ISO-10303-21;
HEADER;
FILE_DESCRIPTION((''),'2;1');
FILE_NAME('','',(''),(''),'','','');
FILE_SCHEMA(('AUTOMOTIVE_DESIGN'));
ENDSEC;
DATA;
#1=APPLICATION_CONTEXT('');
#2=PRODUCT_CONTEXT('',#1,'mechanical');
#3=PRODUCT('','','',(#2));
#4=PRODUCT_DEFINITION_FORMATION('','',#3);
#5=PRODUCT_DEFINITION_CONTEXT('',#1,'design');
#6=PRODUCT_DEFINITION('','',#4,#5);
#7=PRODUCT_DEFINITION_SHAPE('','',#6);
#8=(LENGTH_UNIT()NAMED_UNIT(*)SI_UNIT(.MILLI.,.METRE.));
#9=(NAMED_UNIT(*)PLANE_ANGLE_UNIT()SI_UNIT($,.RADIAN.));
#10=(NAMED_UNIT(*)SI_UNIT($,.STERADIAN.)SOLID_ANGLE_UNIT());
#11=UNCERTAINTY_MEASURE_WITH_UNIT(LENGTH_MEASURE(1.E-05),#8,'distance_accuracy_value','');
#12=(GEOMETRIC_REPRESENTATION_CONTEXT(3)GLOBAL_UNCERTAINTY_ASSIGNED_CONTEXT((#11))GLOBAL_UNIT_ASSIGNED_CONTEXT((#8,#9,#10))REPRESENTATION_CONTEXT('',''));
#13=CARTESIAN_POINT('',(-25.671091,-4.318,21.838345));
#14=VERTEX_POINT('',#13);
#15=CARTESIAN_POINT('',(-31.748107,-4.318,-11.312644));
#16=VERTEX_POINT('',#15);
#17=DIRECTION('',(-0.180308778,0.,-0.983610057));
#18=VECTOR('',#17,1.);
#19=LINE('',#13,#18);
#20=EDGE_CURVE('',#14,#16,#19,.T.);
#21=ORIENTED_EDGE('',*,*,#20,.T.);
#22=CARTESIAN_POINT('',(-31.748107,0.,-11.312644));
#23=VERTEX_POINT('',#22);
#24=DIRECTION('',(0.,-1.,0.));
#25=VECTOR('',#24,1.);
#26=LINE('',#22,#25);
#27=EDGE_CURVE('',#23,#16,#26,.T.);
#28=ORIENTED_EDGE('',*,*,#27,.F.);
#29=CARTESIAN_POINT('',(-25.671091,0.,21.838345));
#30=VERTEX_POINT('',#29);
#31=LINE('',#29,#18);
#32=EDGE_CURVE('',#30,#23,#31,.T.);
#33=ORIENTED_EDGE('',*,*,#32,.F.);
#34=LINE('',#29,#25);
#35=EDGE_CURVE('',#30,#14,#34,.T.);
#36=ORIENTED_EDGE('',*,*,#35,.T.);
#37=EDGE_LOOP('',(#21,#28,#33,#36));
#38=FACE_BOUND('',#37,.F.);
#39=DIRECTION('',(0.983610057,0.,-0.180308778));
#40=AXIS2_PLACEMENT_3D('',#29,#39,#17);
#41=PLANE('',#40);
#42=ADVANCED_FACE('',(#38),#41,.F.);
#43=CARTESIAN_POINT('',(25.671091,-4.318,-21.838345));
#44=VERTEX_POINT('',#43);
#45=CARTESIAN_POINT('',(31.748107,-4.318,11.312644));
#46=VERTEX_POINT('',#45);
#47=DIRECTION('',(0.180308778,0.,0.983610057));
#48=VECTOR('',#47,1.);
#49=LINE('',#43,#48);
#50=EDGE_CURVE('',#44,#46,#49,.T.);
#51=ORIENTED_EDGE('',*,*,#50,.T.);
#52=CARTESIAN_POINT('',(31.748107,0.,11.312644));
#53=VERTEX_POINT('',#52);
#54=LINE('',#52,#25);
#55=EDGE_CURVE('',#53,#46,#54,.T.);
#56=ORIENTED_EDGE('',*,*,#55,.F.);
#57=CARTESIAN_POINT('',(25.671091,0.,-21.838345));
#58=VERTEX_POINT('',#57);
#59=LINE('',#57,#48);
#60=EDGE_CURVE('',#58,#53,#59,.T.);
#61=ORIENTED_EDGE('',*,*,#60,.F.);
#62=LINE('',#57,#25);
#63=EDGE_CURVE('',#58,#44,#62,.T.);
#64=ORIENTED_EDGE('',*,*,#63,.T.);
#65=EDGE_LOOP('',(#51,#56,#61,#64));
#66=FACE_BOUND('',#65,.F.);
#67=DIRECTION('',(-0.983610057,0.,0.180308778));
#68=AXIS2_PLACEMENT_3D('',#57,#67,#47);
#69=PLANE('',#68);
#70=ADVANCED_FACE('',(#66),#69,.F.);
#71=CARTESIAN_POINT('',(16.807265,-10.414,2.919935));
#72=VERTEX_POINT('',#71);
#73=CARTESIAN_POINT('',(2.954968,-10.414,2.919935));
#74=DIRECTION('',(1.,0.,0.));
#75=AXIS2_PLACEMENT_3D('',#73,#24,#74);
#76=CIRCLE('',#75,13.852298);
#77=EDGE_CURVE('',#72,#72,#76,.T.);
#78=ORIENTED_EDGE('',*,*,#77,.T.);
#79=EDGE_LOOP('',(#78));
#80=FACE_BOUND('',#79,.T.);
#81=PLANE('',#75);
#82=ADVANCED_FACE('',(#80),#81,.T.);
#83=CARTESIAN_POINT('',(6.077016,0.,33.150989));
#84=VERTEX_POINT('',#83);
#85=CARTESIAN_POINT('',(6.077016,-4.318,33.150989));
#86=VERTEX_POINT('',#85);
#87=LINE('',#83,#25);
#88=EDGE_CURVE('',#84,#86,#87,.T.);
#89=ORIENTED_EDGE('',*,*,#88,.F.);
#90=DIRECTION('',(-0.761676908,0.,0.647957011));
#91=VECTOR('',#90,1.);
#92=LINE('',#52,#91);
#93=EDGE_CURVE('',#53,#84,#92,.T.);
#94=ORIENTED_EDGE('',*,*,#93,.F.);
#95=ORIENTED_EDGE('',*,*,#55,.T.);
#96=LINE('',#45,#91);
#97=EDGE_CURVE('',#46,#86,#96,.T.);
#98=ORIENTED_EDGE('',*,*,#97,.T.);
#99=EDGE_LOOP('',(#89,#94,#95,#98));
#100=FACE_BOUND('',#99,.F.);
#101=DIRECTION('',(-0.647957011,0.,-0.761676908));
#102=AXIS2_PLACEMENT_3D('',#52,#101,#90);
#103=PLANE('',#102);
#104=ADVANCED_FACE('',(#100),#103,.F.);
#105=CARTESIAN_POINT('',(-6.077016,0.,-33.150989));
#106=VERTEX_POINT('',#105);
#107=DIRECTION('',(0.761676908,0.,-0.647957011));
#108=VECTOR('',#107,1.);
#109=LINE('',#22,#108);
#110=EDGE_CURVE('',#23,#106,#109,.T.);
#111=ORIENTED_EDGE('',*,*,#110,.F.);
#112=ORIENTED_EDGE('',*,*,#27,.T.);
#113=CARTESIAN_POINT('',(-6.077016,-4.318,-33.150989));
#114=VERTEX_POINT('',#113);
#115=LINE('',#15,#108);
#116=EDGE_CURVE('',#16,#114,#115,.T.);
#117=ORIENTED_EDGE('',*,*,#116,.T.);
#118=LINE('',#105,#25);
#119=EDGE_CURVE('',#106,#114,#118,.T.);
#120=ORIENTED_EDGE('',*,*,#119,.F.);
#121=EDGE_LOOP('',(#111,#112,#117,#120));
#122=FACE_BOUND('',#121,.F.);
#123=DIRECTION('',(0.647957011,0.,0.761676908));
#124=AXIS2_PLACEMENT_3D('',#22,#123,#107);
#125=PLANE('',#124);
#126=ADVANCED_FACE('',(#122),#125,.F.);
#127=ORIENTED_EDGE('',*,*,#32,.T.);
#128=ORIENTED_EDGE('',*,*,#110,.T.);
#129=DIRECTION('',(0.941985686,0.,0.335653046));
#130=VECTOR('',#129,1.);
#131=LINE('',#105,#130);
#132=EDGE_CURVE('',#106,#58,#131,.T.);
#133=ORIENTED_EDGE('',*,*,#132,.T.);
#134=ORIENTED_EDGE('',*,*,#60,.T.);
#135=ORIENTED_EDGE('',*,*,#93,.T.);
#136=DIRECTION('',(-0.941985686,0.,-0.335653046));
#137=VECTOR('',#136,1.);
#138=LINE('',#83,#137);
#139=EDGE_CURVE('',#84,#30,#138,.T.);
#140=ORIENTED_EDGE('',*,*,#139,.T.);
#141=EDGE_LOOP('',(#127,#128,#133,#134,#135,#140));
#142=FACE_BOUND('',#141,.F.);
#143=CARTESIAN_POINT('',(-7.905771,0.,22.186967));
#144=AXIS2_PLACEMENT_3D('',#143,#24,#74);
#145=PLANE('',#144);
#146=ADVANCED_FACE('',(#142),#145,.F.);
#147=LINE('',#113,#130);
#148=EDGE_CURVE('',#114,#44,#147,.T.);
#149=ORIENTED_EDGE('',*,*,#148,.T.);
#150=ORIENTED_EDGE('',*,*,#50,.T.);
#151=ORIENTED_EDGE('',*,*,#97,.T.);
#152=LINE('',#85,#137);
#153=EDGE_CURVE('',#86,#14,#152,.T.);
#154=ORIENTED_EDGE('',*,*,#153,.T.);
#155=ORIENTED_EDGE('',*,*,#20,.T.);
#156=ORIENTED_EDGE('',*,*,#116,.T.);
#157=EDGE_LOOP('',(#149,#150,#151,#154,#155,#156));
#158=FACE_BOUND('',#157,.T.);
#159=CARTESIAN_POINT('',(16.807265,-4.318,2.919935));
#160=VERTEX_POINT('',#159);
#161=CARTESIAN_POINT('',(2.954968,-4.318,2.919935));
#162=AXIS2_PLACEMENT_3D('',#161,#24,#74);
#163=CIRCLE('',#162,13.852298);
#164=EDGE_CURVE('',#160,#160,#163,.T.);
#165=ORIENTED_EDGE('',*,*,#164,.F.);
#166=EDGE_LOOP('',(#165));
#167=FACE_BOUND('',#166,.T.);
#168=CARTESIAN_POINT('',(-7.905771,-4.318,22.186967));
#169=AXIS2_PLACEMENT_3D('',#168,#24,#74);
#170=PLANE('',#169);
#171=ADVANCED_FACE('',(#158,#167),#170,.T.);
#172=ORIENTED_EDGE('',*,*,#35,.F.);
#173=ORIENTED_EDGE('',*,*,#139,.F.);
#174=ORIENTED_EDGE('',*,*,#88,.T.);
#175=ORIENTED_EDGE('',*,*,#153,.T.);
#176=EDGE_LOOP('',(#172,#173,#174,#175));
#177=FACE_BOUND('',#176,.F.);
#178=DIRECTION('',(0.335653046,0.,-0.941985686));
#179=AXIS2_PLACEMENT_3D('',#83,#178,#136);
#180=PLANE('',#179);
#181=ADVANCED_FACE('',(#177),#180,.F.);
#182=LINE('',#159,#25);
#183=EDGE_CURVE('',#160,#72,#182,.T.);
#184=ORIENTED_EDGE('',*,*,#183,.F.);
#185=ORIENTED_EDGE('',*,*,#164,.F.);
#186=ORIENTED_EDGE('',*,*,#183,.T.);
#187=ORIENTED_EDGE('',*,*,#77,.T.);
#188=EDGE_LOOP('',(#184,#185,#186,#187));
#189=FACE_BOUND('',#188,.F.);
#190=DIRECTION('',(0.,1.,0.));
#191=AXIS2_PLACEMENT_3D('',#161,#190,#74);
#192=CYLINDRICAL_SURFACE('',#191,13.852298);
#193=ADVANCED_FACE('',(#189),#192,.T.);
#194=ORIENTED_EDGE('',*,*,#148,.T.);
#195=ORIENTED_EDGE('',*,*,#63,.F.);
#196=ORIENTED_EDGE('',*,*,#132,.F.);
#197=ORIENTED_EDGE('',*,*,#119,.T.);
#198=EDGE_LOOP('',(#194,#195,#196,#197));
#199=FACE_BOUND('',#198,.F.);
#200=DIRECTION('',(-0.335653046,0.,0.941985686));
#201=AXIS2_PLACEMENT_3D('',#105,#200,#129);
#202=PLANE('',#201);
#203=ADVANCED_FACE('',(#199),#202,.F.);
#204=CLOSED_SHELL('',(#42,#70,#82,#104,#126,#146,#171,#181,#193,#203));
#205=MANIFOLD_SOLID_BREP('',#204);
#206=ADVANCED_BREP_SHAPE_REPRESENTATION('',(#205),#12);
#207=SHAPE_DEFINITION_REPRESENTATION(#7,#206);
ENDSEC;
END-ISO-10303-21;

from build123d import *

# Parameters (mm, degrees)
F1_DEPTH = 4.318
F2_R     = 13.8522977146
F3_DEPTH = 6.096


with BuildPart() as f1:
    # F0 (on Front) → F1 (new body)
    with BuildSketch(Plane.XZ):
        with BuildLine():
            Line((6.0770163177, 33.1509892084), (-25.6710906561, 21.8383451146))
            Line((-25.6710906561, 21.8383451146), (-12.8355453281, 10.9191725573))
            ThreePointArc((-12.8355453281, 10.9191725573), (-5.6563220469, 15.8740534869), (3.0385081589, 16.5754946042))
            Line((3.0385081589, 16.5754946042), (6.0770163177, 33.1509892084))
        make_face()
        Polygon((-15.8740534869, -5.6563220469), (-25.6710906561, 21.8383451146), (-31.7481069739, -11.3126440938), align=None)
        with BuildLine():
            Line((31.7481069739, 11.3126440938), (6.0770163177, 33.1509892084))
            Line((6.0770163177, 33.1509892084), (3.0385081589, 16.5754946042))
            ThreePointArc((3.0385081589, 16.5754946042), (10.9191725573, 12.8355453281), (15.8740534869, 5.6563220469))
            Line((15.8740534869, 5.6563220469), (31.7481069739, 11.3126440938))
        make_face()
        with BuildLine():
            Line((25.6710906561, -21.8383451146), (31.7481069739, 11.3126440938))
            Line((31.7481069739, 11.3126440938), (15.8740534869, 5.6563220469))
            ThreePointArc((15.8740534869, 5.6563220469), (16.6054844473, 2.8700939835), (16.8516928884, 0))
            ThreePointArc((16.8516928884, 0), (10.7883165247, -12.9457243818), (-3.0385081589, -16.5754946042))
            Line((-3.0385081589, -16.5754946042), (-6.0770163177, -33.1509892084))
            Line((-6.0770163177, -33.1509892084), (25.6710906561, -21.8383451146))
        make_face()
        with BuildLine():
            Line((-15.8740534869, -5.6563220469), (-31.7481069739, -11.3126440938))
            Line((-31.7481069739, -11.3126440938), (-6.0770163177, -33.1509892084))
            Line((-6.0770163177, -33.1509892084), (-3.0385081589, -16.5754946042))
            ThreePointArc((-3.0385081589, -16.5754946042), (-10.9191725573, -12.8355453281), (-15.8740534869, -5.6563220469))
        make_face()
        with BuildLine():
            ThreePointArc((15.8740534869, 5.6563220469), (10.9191725573, 12.8355453281), (3.0385081589, 16.5754946042))
            Line((3.0385081589, 16.5754946042), (0, 0))
            Line((0, 0), (15.8740534869, 5.6563220469))
        make_face()
        with BuildLine():
            ThreePointArc((3.0385081589, 16.5754946042), (-5.6563220469, 15.8740534869), (-12.8355453281, 10.9191725573))
            Line((-12.8355453281, 10.9191725573), (0, 0))
            Line((0, 0), (3.0385081589, 16.5754946042))
        make_face()
        with BuildLine():
            Line((0, 0), (-12.8355453281, 10.9191725573))
            ThreePointArc((-12.8355453281, 10.9191725573), (-16.5754946042, 3.0385081589), (-15.8740534869, -5.6563220469))
            Line((-15.8740534869, -5.6563220469), (0, 0))
        make_face()
        with BuildLine():
            Line((-12.8355453281, 10.9191725573), (-25.6710906561, 21.8383451146))
            Line((-25.6710906561, 21.8383451146), (-15.8740534869, -5.6563220469))
            ThreePointArc((-15.8740534869, -5.6563220469), (-16.5754946042, 3.0385081589), (-12.8355453281, 10.9191725573))
        make_face()
        with BuildLine():
            Line((0, 0), (-15.8740534869, -5.6563220469))
            ThreePointArc((-15.8740534869, -5.6563220469), (-10.9191725573, -12.8355453281), (-3.0385081589, -16.5754946042))
            Line((-3.0385081589, -16.5754946042), (0, 0))
        make_face()
        with BuildLine():
            Line((15.8740534869, 5.6563220469), (0, 0))
            Line((0, 0), (-3.0385081589, -16.5754946042))
            ThreePointArc((-3.0385081589, -16.5754946042), (10.7883165247, -12.9457243818), (16.8516928884, 0))
            ThreePointArc((16.8516928884, 0), (16.6054844473, 2.8700939835), (15.8740534869, 5.6563220469))
        make_face()
    extrude(amount=F1_DEPTH)

    # F2 (on face) → F3 (join)
    with BuildSketch(Plane.XZ.offset(4.318)):
        with Locations((2.9549675528, 2.9199353885)):
            Circle(F2_R)
    extrude(amount=F3_DEPTH)


solid = f1.part
